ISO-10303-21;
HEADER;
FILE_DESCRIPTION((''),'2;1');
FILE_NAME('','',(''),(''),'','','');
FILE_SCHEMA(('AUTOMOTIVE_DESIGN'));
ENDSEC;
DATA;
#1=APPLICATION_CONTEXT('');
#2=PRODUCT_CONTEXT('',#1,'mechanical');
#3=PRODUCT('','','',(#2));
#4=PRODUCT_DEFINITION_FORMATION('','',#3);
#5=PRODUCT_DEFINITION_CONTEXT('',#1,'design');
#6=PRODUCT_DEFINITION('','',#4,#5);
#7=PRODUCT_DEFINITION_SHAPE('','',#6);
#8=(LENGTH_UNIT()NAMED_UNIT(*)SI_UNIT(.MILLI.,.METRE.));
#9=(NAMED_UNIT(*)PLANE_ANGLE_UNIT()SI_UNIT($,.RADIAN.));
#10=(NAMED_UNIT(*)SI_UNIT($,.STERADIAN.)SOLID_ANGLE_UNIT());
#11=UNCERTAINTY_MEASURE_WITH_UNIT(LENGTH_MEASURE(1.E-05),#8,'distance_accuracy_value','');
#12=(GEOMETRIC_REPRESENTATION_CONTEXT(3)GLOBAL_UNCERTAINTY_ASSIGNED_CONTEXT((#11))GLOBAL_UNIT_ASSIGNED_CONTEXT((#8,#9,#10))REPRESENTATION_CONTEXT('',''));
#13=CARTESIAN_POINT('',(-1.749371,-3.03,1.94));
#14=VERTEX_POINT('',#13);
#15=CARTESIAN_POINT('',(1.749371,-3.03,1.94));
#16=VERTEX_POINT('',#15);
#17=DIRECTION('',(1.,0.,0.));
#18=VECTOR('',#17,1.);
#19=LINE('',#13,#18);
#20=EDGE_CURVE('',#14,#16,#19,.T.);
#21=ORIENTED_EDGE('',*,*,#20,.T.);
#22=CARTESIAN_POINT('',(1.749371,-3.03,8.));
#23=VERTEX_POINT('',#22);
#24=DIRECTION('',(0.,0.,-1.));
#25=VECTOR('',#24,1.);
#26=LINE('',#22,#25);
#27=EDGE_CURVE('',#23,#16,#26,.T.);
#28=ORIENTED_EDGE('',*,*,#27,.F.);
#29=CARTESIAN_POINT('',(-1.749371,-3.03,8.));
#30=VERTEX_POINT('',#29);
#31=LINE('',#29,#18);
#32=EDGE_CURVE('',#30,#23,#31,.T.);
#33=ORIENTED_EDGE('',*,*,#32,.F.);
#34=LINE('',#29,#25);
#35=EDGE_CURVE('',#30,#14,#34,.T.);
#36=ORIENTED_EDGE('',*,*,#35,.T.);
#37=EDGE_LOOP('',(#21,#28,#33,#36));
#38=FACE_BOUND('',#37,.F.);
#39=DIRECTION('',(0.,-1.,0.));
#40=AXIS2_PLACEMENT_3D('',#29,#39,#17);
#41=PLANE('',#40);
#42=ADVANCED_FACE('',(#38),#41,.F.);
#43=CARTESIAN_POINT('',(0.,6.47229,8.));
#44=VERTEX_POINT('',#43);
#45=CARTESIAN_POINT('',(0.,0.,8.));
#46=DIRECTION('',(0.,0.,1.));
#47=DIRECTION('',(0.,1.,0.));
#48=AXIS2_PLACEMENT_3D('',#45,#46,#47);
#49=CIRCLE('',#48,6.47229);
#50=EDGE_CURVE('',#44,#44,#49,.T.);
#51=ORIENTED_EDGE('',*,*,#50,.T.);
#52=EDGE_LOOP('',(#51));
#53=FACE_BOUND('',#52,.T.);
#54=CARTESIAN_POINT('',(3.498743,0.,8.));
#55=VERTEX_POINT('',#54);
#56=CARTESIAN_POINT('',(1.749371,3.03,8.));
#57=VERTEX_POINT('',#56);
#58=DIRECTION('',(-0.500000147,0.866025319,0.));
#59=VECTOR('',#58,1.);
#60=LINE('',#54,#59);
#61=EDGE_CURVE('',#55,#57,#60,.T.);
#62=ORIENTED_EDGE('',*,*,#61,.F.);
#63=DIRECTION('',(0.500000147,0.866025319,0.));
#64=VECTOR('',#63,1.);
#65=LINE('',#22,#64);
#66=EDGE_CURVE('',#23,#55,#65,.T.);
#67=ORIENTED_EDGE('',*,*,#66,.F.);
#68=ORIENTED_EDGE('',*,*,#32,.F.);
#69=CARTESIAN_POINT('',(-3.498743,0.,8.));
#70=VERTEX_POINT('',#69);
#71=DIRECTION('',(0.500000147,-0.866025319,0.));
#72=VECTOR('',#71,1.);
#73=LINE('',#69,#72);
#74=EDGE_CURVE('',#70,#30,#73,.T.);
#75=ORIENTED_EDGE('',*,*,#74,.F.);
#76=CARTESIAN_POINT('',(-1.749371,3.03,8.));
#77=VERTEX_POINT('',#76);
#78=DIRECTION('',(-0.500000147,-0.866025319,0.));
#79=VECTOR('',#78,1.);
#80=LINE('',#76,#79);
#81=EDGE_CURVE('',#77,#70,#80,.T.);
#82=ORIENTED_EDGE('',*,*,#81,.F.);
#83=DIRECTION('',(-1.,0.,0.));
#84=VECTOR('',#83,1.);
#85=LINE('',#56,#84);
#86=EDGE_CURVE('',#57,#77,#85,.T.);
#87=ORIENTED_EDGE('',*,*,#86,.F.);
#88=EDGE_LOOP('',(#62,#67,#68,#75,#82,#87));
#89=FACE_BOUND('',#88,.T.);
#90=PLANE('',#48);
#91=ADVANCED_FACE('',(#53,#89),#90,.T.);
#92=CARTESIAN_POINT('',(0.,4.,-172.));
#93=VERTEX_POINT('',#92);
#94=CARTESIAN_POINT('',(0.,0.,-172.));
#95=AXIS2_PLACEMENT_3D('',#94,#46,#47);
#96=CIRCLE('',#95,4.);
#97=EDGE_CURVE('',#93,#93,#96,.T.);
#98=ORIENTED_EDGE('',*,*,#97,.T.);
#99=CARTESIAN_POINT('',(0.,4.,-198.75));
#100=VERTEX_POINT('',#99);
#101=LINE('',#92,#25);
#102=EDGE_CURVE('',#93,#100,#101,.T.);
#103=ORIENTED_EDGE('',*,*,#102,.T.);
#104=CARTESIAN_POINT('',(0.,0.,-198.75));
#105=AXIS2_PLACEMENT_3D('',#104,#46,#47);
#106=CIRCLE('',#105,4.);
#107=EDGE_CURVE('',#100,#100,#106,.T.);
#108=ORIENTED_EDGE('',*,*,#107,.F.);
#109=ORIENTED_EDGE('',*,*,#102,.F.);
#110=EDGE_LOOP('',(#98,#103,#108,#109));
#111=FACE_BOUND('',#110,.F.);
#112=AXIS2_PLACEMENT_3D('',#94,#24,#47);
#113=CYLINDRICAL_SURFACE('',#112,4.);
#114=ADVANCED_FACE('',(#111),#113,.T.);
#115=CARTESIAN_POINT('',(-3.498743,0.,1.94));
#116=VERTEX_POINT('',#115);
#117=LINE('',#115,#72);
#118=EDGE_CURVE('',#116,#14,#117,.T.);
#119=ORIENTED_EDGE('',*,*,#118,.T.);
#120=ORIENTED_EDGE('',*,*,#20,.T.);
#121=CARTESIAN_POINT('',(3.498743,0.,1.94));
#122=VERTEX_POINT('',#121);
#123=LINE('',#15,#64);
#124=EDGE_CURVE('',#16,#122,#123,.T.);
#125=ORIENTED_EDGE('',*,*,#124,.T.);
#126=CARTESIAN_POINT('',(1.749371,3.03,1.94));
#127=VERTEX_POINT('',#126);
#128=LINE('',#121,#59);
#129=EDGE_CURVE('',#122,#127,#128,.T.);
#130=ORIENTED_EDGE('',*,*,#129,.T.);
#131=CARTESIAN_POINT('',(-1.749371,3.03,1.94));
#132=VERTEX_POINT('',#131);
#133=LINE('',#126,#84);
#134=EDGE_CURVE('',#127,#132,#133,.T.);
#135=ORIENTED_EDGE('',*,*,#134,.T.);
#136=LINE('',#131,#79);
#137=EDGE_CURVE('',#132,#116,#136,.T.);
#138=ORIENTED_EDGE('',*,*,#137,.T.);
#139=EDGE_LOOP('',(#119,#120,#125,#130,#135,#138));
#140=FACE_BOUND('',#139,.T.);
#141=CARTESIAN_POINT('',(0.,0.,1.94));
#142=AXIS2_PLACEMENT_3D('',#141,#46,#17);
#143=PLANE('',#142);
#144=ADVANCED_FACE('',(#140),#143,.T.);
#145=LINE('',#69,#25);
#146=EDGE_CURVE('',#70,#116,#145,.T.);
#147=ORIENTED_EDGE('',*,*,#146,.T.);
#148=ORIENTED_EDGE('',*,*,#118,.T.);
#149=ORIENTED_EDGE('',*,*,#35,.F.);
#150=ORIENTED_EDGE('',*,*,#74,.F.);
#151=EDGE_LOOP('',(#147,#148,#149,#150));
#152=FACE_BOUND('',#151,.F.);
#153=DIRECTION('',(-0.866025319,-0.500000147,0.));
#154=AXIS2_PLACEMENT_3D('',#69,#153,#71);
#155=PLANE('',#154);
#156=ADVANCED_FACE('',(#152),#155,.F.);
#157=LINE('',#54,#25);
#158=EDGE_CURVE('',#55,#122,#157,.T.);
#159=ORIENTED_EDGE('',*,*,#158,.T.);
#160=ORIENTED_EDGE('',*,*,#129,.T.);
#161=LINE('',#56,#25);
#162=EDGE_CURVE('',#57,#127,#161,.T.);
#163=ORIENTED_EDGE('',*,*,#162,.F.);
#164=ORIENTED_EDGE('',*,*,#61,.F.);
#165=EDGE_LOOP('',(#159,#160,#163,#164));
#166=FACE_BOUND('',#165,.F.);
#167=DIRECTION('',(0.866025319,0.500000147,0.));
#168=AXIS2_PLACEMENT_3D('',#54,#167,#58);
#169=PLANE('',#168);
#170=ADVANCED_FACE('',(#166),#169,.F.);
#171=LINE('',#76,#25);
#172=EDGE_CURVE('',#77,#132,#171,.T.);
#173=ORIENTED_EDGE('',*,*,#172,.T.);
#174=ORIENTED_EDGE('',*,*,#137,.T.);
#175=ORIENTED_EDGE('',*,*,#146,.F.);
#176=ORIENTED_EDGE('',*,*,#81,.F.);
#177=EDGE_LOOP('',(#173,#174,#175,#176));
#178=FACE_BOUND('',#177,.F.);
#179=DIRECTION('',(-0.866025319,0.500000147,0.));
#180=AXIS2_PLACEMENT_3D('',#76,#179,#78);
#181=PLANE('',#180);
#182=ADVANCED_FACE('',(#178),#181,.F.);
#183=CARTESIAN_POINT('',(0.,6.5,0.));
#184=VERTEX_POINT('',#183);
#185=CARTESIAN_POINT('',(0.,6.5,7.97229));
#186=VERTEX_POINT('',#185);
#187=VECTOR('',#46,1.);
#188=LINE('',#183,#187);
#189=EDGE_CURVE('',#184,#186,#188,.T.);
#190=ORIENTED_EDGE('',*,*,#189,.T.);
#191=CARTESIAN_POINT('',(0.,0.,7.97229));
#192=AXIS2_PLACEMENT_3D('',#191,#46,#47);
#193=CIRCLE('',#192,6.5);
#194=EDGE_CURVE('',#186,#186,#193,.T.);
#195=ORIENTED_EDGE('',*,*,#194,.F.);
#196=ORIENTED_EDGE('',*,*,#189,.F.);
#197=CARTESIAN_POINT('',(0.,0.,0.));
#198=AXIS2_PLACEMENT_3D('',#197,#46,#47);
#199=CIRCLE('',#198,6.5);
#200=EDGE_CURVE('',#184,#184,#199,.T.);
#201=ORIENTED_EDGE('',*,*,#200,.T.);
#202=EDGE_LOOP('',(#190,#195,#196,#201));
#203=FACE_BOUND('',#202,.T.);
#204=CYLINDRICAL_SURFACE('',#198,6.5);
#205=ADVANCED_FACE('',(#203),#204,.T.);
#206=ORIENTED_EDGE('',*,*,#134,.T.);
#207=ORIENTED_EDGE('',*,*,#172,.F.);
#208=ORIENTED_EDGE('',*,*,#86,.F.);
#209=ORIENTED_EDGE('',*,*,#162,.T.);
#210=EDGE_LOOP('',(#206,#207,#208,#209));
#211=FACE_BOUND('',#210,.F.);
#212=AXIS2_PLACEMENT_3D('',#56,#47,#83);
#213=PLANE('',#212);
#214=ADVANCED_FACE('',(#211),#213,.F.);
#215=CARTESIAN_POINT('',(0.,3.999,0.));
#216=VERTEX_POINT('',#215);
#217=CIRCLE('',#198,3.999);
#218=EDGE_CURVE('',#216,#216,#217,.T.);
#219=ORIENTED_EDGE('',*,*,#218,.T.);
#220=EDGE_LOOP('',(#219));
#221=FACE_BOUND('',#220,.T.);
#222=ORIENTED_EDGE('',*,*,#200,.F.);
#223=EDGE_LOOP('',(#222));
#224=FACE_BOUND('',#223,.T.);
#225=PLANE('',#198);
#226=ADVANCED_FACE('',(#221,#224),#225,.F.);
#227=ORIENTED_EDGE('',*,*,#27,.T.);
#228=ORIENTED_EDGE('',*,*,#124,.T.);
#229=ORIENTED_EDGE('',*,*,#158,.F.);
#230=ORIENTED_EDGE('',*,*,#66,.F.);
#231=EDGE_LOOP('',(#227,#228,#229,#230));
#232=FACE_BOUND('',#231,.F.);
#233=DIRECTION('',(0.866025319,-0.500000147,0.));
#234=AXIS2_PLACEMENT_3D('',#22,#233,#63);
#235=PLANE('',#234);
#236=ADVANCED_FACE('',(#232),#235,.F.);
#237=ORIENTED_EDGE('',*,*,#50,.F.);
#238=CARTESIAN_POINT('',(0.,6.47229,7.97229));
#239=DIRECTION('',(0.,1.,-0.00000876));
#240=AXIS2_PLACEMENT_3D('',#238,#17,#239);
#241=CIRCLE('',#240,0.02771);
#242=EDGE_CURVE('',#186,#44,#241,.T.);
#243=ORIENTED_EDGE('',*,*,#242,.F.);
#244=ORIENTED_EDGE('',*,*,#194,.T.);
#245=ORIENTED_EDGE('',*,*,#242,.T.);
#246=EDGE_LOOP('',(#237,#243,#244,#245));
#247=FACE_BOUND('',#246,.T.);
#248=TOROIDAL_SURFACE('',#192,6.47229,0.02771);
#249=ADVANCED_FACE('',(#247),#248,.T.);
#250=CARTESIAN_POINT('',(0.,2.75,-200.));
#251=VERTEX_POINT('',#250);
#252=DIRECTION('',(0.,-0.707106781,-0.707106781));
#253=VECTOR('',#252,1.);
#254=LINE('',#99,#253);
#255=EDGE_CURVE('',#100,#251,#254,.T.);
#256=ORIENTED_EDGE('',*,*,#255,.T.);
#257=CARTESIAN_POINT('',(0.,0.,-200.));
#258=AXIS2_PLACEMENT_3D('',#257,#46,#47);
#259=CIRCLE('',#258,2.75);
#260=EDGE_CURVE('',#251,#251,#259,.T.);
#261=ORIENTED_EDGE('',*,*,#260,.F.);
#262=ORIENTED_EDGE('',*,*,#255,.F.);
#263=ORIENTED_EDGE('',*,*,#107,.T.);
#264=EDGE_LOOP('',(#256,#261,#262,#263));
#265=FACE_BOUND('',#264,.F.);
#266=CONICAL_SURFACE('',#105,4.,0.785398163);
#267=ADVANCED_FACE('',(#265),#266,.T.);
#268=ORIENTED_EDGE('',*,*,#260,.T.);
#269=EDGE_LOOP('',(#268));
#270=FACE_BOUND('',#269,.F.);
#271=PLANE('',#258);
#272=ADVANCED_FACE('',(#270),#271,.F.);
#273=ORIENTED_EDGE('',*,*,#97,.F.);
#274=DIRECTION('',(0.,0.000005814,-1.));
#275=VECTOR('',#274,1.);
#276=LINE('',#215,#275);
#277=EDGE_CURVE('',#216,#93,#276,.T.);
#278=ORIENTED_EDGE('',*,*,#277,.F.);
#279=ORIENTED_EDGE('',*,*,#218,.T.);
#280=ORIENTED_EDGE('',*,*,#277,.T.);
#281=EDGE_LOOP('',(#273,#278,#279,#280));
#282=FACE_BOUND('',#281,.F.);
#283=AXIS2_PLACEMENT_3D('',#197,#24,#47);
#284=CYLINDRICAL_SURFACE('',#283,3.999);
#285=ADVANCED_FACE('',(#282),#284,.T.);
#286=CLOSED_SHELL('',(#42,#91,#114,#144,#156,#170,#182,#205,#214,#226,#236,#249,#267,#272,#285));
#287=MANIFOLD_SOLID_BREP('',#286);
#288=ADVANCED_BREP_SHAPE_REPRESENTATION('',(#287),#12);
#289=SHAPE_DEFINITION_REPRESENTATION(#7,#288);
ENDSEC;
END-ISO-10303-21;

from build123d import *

# Parameters (mm, degrees)
POCKET_DEPTH = 6.06


with BuildPart() as part:
    # Sketch → Revolve (revolve)
    with BuildSketch(Plane.YZ):
        with BuildLine():
            Line((3.999, 0), (6.5, 0))
            Line((6.5, 0), (6.5, 7.97229))
            ThreePointArc((6.5, 7.97229), (6.491884, 7.991884), (6.47229, 8))
            Line((6.47229, 8), (0, 8))
            Line((0, -200), (0, 8))
            Line((2.75, -200), (0, -200))
            Line((4, -198.75), (2.75, -200))
            Line((4, -172), (4, -198.75))
            Line((3.999, 0), (4, -172))
        make_face()
    revolve(axis=Axis((0, 0, 0), (0, 0, 1)))

    # Sketch001 → Pocket (cut)
    with BuildSketch(Plane.XY.offset(8)):
        Polygon((3.498743, 0), (1.749371, 3.03), (-1.749371, 3.03), (-3.498743, 0), (-1.749371, -3.03), (1.749371, -3.03), align=None)
    extrude(amount=-POCKET_DEPTH, mode=Mode.SUBTRACT)


solid = part.part
